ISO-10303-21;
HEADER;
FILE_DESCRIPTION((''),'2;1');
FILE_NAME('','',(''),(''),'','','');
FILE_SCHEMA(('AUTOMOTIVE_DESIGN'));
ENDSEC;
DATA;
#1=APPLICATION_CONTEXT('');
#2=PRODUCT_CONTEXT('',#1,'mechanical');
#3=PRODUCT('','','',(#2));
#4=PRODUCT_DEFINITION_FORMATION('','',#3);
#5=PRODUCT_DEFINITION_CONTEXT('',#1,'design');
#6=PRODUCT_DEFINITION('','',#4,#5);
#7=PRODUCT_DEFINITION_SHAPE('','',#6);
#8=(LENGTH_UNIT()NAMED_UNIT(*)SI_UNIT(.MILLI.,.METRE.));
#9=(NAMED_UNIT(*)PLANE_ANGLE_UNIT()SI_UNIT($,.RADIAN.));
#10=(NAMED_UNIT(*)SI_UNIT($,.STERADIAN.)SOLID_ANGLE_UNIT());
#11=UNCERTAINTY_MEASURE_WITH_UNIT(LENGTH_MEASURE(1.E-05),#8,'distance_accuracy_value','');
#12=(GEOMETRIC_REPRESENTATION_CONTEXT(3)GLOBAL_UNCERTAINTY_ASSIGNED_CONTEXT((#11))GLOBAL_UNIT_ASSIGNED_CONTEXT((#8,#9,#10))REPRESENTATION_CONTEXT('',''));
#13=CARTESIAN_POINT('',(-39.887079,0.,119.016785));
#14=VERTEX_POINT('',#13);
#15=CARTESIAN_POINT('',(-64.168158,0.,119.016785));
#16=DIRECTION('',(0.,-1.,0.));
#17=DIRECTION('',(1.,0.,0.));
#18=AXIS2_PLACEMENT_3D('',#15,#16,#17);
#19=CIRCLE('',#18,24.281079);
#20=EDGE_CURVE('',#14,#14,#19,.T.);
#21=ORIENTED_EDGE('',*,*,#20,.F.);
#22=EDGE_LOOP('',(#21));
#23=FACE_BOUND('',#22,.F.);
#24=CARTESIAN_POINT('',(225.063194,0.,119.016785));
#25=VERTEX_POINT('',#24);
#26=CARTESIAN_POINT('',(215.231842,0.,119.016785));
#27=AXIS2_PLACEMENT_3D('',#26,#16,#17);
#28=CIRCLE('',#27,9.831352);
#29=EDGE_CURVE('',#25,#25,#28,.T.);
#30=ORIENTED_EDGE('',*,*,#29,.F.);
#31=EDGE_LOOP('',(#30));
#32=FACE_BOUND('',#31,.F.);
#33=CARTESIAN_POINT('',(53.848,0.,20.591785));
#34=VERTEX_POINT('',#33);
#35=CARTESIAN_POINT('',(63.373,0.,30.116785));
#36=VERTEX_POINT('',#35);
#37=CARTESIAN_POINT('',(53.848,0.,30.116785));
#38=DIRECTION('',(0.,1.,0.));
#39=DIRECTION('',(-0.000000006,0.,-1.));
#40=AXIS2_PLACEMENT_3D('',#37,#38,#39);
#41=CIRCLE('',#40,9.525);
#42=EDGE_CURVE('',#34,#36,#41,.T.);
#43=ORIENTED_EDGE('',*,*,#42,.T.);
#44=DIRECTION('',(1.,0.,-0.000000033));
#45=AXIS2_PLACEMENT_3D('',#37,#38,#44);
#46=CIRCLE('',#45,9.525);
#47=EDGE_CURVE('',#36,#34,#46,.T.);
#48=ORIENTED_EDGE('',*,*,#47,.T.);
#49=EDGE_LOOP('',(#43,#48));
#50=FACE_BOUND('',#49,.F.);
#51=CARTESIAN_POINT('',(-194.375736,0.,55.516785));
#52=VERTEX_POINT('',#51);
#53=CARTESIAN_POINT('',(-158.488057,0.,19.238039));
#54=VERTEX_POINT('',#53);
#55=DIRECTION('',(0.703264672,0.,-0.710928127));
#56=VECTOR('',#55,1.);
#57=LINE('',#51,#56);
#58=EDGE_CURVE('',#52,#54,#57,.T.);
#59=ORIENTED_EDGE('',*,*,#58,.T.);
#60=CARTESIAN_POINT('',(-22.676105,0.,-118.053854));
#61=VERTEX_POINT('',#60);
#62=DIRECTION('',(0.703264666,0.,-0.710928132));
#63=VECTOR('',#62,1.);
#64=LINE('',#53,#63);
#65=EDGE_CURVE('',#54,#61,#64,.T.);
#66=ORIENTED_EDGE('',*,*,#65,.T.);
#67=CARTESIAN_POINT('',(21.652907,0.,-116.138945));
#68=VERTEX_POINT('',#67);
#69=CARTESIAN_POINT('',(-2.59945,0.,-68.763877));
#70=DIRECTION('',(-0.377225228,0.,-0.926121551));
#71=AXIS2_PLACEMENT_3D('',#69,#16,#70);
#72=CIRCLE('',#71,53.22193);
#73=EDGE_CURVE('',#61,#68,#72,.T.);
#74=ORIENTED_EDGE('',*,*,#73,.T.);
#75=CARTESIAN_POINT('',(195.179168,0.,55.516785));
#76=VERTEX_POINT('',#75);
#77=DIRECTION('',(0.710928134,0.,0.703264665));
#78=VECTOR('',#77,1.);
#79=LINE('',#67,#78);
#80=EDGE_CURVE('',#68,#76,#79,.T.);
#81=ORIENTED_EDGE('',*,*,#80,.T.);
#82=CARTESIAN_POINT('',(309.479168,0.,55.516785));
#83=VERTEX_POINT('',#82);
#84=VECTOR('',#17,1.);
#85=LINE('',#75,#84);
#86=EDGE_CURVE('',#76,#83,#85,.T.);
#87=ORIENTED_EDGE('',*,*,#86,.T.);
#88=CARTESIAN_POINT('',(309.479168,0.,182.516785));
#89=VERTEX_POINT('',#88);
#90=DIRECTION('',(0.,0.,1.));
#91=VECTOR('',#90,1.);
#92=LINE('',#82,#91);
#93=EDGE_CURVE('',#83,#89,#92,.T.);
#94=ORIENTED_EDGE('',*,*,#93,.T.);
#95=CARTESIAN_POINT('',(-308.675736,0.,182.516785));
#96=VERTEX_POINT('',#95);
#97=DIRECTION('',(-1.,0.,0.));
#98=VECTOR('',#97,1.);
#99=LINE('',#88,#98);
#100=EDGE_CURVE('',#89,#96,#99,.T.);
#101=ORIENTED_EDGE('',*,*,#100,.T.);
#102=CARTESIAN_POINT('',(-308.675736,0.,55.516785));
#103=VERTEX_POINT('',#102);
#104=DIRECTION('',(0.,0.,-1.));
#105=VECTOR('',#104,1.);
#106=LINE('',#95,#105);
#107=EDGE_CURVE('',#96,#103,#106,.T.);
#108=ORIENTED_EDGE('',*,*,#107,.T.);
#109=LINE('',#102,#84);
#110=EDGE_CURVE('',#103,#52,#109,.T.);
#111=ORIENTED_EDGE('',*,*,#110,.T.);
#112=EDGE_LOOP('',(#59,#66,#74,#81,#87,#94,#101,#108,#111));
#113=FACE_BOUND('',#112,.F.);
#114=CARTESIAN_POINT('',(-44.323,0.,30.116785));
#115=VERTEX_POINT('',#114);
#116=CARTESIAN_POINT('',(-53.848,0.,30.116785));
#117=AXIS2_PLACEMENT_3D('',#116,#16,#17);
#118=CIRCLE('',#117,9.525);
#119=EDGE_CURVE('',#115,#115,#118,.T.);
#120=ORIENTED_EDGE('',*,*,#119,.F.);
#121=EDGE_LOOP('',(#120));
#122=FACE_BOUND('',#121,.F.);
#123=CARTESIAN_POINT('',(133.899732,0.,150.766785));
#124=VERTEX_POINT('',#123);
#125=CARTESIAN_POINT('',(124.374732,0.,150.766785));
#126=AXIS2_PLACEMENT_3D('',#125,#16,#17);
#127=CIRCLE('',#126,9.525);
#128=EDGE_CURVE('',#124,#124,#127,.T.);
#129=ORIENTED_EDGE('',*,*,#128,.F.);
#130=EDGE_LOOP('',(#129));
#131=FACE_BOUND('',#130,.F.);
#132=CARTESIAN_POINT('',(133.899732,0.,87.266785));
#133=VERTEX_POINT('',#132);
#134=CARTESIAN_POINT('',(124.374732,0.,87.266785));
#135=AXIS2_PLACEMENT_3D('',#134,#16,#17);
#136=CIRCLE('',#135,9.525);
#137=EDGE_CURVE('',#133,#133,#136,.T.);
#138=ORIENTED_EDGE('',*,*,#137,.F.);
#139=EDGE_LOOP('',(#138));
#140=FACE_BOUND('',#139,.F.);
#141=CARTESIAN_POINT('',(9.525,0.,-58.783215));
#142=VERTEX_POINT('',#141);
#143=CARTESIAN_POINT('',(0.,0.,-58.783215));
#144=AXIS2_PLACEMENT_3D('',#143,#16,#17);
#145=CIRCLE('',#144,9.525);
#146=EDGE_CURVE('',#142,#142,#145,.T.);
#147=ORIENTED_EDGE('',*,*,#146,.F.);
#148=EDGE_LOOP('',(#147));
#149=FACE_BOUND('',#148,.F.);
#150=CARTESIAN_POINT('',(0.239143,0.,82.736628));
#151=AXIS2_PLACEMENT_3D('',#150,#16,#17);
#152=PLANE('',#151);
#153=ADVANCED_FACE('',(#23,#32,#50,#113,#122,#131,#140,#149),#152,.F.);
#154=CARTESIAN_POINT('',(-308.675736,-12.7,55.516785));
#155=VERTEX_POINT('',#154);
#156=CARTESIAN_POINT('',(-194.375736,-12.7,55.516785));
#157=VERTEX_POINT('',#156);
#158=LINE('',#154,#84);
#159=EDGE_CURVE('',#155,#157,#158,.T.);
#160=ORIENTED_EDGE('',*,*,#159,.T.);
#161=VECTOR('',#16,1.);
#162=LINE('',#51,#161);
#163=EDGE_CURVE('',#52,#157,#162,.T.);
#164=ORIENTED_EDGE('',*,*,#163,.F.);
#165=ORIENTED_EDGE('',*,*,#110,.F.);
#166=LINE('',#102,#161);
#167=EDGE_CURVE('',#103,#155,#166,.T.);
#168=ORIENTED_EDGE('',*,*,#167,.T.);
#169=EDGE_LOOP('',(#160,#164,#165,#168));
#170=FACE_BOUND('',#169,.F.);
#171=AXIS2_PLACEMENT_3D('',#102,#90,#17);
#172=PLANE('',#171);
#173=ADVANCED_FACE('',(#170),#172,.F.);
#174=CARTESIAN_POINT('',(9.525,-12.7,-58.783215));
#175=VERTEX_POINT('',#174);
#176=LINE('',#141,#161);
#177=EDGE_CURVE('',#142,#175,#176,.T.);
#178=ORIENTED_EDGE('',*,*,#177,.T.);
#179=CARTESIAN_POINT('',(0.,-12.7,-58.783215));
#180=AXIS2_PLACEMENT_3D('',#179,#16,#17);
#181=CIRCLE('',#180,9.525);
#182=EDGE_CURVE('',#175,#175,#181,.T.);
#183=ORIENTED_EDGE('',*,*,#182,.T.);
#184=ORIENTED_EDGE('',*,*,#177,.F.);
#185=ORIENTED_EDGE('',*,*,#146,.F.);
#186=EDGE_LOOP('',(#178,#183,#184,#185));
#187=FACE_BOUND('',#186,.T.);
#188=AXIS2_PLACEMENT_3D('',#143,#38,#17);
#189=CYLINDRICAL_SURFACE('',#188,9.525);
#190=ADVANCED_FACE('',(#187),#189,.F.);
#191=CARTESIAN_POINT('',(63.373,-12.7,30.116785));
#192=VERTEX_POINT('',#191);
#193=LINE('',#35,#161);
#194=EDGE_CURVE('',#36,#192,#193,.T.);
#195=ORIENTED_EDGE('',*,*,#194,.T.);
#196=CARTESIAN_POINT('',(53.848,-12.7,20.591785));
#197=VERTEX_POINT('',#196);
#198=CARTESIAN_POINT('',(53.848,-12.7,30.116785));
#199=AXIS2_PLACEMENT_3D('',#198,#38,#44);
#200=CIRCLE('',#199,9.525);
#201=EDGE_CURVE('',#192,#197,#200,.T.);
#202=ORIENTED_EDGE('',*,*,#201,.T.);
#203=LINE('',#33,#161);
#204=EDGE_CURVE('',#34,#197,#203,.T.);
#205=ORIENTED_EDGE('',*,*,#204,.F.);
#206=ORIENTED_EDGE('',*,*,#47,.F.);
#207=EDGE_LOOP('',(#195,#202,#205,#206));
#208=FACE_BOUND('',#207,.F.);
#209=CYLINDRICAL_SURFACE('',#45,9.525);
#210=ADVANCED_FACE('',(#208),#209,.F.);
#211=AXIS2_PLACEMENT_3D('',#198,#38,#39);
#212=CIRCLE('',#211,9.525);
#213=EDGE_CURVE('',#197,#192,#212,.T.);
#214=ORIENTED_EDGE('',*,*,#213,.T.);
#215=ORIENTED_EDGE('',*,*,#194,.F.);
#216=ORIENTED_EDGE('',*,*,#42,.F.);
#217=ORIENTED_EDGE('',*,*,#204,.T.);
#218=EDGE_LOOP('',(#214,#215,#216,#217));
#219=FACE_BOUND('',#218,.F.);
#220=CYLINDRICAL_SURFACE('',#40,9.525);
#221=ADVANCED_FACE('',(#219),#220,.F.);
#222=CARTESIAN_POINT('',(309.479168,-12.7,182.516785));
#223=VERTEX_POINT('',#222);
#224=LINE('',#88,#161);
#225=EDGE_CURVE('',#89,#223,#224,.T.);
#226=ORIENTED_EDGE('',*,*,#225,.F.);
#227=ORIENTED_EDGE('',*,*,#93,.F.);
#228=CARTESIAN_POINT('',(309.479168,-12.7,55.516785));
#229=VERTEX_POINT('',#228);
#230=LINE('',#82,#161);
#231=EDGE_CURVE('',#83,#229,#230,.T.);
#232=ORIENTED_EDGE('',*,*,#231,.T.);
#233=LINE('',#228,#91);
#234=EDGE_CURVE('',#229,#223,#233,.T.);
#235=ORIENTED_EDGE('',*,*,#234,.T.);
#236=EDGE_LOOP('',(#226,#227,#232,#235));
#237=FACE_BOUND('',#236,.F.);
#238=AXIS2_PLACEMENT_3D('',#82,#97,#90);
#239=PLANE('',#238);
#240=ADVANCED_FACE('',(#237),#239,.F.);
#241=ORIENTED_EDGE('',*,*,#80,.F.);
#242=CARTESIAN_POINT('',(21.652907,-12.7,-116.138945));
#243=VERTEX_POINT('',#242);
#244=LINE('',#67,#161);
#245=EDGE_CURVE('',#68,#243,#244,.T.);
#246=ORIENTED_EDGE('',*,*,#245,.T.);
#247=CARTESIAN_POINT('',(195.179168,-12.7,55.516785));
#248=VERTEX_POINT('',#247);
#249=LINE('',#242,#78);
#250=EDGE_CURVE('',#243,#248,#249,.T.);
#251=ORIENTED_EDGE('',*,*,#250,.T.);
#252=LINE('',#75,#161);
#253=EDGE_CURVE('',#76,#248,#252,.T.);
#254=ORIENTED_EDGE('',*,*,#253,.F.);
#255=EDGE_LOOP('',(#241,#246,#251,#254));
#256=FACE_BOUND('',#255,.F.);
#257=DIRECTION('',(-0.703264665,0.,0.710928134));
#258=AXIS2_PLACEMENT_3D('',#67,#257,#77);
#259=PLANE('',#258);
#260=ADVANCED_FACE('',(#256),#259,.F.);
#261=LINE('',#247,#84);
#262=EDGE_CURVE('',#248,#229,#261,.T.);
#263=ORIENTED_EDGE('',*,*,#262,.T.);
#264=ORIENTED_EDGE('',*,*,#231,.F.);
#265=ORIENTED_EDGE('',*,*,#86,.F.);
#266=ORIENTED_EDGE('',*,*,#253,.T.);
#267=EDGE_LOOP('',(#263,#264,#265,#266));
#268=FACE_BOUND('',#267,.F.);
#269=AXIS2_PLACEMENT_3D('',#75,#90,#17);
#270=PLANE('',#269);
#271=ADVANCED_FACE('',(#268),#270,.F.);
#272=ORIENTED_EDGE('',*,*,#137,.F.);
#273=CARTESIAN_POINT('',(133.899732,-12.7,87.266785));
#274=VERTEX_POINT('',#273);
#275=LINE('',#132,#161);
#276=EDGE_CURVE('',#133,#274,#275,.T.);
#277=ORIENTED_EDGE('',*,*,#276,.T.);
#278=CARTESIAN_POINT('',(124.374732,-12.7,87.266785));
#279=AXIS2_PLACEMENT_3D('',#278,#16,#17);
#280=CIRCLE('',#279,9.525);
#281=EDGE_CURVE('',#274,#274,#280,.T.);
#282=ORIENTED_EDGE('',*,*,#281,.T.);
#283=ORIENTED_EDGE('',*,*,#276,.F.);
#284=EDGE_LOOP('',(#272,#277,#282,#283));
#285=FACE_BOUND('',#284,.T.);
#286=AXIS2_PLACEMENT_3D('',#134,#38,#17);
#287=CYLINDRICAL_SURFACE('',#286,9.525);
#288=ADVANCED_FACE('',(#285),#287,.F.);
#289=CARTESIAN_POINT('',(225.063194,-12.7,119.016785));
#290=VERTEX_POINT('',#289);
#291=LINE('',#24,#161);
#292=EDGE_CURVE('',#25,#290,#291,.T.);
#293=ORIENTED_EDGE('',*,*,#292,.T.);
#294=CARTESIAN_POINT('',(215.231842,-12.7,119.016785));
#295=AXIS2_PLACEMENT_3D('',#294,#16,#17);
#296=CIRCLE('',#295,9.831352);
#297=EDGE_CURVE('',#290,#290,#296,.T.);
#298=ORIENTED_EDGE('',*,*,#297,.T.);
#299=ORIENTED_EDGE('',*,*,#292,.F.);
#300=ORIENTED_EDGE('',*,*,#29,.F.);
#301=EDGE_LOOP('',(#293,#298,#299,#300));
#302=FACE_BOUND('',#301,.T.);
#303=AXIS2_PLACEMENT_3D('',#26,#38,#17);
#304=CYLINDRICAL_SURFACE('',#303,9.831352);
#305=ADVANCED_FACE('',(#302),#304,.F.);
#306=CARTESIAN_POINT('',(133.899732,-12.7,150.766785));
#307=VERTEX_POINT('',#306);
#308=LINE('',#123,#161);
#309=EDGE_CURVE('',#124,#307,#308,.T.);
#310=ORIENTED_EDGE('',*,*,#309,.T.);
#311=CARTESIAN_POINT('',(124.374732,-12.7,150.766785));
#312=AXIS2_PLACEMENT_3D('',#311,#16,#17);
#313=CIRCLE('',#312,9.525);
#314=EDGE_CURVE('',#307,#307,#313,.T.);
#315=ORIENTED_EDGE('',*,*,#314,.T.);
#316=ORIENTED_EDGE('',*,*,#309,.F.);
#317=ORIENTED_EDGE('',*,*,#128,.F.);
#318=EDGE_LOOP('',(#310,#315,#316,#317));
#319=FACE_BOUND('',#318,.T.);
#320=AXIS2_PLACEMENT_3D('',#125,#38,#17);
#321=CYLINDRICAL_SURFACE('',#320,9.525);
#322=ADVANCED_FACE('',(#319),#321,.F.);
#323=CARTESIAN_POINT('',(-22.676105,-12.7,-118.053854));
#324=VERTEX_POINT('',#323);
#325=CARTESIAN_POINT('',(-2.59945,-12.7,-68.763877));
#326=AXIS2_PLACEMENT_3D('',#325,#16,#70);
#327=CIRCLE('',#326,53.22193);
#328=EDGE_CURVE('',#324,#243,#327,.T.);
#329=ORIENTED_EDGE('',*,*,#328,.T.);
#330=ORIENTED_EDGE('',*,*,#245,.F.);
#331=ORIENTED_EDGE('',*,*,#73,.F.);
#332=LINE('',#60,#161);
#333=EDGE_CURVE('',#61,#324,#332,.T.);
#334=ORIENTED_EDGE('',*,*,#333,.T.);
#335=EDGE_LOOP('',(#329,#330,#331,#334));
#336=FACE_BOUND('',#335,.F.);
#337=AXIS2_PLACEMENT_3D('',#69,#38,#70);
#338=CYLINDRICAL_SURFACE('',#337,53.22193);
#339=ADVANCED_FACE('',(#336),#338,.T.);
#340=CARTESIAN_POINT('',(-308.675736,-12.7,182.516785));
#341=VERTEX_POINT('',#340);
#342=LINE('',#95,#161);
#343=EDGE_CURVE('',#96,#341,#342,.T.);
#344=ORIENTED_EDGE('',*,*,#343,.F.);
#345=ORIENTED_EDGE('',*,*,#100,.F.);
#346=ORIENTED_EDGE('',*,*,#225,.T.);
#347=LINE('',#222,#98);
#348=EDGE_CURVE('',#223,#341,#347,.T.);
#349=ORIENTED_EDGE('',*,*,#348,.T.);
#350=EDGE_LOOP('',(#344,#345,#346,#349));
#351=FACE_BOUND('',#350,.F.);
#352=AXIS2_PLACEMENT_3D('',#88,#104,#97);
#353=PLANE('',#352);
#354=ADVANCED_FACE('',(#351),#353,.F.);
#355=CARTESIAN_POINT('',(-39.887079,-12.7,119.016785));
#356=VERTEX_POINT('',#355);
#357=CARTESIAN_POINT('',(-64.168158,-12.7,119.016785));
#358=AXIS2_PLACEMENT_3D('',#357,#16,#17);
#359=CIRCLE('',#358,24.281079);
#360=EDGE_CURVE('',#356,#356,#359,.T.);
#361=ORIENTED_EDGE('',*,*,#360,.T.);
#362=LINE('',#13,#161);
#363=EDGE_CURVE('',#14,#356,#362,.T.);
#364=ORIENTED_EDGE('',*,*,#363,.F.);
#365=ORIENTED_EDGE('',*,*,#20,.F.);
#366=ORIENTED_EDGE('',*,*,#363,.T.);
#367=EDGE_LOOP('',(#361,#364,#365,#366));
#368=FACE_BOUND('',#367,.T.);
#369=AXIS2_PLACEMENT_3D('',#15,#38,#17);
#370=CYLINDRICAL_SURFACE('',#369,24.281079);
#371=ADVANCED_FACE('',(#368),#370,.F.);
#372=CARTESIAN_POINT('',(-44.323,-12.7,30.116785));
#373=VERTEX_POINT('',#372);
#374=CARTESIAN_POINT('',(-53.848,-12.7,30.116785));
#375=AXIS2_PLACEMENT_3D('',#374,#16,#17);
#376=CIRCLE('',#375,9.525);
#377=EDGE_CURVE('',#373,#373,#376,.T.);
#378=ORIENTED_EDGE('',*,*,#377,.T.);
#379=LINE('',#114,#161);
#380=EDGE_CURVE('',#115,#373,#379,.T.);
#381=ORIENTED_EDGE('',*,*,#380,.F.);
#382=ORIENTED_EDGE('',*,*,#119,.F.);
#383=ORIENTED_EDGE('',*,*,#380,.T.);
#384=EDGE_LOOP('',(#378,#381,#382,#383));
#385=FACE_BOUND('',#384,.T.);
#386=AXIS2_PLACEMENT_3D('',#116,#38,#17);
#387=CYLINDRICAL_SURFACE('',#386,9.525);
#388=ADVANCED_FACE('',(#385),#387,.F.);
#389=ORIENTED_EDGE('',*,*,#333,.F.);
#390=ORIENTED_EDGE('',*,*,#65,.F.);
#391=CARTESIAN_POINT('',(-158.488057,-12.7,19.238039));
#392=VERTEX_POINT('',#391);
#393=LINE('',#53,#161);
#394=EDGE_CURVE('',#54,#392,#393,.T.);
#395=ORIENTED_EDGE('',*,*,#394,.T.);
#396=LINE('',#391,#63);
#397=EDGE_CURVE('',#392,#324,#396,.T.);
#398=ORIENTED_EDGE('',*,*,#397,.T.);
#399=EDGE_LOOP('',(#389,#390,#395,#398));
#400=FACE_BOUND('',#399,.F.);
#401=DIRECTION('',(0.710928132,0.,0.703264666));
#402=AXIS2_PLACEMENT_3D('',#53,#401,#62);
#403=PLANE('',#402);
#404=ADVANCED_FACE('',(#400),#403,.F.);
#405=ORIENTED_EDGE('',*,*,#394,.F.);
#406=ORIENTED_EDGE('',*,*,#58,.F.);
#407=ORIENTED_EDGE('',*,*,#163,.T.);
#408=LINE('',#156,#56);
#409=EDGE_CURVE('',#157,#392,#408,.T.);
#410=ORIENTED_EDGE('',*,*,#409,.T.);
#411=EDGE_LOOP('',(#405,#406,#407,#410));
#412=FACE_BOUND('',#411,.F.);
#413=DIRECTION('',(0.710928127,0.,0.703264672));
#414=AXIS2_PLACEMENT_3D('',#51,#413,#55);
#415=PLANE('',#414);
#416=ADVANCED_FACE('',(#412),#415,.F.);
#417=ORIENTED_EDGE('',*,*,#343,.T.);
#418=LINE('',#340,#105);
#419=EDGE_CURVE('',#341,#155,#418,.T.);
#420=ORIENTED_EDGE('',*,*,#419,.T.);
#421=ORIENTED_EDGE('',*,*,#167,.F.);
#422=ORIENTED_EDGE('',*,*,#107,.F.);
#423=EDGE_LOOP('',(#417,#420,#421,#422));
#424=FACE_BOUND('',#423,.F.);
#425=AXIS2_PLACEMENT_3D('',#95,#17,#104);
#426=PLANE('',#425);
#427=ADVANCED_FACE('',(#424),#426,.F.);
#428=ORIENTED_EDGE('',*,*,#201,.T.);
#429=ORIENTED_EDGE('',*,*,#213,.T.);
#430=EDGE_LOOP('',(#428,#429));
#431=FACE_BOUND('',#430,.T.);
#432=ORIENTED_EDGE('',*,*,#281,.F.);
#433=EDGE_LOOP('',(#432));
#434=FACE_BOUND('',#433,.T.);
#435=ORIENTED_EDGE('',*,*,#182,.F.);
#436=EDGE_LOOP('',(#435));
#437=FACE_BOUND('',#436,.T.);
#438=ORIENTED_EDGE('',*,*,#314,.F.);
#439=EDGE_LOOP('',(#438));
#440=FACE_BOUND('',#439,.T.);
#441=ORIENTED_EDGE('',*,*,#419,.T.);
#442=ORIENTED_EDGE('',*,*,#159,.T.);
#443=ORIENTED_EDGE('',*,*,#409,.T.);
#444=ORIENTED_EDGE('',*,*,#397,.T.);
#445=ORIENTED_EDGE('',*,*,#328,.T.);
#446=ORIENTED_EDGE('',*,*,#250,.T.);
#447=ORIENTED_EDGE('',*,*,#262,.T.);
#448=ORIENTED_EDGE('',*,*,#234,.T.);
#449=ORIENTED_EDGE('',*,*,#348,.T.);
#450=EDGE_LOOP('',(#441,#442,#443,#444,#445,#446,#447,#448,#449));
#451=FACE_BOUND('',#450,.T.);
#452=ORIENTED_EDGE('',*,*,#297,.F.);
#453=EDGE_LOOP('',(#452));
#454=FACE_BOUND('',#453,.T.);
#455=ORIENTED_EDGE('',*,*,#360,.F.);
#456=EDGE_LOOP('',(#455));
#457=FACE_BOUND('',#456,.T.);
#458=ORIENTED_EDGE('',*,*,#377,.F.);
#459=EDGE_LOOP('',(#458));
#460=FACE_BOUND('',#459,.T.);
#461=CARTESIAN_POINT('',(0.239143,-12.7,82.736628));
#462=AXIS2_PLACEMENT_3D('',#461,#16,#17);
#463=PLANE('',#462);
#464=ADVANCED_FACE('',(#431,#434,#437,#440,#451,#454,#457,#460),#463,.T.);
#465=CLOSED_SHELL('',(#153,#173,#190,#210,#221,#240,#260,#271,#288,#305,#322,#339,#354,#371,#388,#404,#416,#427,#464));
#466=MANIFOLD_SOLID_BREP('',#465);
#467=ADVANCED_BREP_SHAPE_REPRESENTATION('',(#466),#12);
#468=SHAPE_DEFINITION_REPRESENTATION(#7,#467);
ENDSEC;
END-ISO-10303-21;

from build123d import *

# Parameters (mm, degrees)
F0_R     = 9.525
F0_R_2   = 24.281079
F0_R_3   = 9.831352
F1_DEPTH = 12.7


with BuildPart() as f1:
    # F0 (on Front) → F1 (new body)
    with BuildSketch(Plane.XZ):
        with BuildLine():
            Line((-308.675736, 182.516785), (-308.675736, 55.516785))
            Line((-308.675736, 55.516785), (-194.375736, 55.516785))
            Line((-194.375736, 55.516785), (-158.488057, 19.238039))
            Line((-158.488057, 19.238039), (-22.676105, -118.053854))
            ThreePointArc((-22.676105, -118.053854), (-0.30253, -121.93622), (21.652907, -116.138945))
            Line((21.652907, -116.138945), (195.179168, 55.516785))
            Line((195.179168, 55.516785), (309.479168, 55.516785))
            Line((309.479168, 55.516785), (309.479168, 182.516785))
            Line((309.479168, 182.516785), (-308.675736, 182.516785))
        make_face()
        with Locations((-53.848, 30.116785)):
            Circle(F0_R, mode=Mode.SUBTRACT)
        with Locations((0, -58.783215)):
            Circle(F0_R, mode=Mode.SUBTRACT)
        with BuildLine():
            ThreePointArc((53.848, 20.591785), (47.112808, 36.851977), (63.373, 30.116785))
            ThreePointArc((63.373, 30.116785), (60.583192, 23.381593), (53.848, 20.591785))
        make_face(mode=Mode.SUBTRACT)
        with Locations((-64.168158, 119.016785)):
            Circle(F0_R_2, mode=Mode.SUBTRACT)
        with Locations((124.374732, 87.266785)):
            Circle(F0_R, mode=Mode.SUBTRACT)
        with Locations((124.374732, 150.766785)):
            Circle(F0_R, mode=Mode.SUBTRACT)
        with Locations((215.231842, 119.016785)):
            Circle(F0_R_3, mode=Mode.SUBTRACT)
    extrude(amount=F1_DEPTH)


solid = f1.part
